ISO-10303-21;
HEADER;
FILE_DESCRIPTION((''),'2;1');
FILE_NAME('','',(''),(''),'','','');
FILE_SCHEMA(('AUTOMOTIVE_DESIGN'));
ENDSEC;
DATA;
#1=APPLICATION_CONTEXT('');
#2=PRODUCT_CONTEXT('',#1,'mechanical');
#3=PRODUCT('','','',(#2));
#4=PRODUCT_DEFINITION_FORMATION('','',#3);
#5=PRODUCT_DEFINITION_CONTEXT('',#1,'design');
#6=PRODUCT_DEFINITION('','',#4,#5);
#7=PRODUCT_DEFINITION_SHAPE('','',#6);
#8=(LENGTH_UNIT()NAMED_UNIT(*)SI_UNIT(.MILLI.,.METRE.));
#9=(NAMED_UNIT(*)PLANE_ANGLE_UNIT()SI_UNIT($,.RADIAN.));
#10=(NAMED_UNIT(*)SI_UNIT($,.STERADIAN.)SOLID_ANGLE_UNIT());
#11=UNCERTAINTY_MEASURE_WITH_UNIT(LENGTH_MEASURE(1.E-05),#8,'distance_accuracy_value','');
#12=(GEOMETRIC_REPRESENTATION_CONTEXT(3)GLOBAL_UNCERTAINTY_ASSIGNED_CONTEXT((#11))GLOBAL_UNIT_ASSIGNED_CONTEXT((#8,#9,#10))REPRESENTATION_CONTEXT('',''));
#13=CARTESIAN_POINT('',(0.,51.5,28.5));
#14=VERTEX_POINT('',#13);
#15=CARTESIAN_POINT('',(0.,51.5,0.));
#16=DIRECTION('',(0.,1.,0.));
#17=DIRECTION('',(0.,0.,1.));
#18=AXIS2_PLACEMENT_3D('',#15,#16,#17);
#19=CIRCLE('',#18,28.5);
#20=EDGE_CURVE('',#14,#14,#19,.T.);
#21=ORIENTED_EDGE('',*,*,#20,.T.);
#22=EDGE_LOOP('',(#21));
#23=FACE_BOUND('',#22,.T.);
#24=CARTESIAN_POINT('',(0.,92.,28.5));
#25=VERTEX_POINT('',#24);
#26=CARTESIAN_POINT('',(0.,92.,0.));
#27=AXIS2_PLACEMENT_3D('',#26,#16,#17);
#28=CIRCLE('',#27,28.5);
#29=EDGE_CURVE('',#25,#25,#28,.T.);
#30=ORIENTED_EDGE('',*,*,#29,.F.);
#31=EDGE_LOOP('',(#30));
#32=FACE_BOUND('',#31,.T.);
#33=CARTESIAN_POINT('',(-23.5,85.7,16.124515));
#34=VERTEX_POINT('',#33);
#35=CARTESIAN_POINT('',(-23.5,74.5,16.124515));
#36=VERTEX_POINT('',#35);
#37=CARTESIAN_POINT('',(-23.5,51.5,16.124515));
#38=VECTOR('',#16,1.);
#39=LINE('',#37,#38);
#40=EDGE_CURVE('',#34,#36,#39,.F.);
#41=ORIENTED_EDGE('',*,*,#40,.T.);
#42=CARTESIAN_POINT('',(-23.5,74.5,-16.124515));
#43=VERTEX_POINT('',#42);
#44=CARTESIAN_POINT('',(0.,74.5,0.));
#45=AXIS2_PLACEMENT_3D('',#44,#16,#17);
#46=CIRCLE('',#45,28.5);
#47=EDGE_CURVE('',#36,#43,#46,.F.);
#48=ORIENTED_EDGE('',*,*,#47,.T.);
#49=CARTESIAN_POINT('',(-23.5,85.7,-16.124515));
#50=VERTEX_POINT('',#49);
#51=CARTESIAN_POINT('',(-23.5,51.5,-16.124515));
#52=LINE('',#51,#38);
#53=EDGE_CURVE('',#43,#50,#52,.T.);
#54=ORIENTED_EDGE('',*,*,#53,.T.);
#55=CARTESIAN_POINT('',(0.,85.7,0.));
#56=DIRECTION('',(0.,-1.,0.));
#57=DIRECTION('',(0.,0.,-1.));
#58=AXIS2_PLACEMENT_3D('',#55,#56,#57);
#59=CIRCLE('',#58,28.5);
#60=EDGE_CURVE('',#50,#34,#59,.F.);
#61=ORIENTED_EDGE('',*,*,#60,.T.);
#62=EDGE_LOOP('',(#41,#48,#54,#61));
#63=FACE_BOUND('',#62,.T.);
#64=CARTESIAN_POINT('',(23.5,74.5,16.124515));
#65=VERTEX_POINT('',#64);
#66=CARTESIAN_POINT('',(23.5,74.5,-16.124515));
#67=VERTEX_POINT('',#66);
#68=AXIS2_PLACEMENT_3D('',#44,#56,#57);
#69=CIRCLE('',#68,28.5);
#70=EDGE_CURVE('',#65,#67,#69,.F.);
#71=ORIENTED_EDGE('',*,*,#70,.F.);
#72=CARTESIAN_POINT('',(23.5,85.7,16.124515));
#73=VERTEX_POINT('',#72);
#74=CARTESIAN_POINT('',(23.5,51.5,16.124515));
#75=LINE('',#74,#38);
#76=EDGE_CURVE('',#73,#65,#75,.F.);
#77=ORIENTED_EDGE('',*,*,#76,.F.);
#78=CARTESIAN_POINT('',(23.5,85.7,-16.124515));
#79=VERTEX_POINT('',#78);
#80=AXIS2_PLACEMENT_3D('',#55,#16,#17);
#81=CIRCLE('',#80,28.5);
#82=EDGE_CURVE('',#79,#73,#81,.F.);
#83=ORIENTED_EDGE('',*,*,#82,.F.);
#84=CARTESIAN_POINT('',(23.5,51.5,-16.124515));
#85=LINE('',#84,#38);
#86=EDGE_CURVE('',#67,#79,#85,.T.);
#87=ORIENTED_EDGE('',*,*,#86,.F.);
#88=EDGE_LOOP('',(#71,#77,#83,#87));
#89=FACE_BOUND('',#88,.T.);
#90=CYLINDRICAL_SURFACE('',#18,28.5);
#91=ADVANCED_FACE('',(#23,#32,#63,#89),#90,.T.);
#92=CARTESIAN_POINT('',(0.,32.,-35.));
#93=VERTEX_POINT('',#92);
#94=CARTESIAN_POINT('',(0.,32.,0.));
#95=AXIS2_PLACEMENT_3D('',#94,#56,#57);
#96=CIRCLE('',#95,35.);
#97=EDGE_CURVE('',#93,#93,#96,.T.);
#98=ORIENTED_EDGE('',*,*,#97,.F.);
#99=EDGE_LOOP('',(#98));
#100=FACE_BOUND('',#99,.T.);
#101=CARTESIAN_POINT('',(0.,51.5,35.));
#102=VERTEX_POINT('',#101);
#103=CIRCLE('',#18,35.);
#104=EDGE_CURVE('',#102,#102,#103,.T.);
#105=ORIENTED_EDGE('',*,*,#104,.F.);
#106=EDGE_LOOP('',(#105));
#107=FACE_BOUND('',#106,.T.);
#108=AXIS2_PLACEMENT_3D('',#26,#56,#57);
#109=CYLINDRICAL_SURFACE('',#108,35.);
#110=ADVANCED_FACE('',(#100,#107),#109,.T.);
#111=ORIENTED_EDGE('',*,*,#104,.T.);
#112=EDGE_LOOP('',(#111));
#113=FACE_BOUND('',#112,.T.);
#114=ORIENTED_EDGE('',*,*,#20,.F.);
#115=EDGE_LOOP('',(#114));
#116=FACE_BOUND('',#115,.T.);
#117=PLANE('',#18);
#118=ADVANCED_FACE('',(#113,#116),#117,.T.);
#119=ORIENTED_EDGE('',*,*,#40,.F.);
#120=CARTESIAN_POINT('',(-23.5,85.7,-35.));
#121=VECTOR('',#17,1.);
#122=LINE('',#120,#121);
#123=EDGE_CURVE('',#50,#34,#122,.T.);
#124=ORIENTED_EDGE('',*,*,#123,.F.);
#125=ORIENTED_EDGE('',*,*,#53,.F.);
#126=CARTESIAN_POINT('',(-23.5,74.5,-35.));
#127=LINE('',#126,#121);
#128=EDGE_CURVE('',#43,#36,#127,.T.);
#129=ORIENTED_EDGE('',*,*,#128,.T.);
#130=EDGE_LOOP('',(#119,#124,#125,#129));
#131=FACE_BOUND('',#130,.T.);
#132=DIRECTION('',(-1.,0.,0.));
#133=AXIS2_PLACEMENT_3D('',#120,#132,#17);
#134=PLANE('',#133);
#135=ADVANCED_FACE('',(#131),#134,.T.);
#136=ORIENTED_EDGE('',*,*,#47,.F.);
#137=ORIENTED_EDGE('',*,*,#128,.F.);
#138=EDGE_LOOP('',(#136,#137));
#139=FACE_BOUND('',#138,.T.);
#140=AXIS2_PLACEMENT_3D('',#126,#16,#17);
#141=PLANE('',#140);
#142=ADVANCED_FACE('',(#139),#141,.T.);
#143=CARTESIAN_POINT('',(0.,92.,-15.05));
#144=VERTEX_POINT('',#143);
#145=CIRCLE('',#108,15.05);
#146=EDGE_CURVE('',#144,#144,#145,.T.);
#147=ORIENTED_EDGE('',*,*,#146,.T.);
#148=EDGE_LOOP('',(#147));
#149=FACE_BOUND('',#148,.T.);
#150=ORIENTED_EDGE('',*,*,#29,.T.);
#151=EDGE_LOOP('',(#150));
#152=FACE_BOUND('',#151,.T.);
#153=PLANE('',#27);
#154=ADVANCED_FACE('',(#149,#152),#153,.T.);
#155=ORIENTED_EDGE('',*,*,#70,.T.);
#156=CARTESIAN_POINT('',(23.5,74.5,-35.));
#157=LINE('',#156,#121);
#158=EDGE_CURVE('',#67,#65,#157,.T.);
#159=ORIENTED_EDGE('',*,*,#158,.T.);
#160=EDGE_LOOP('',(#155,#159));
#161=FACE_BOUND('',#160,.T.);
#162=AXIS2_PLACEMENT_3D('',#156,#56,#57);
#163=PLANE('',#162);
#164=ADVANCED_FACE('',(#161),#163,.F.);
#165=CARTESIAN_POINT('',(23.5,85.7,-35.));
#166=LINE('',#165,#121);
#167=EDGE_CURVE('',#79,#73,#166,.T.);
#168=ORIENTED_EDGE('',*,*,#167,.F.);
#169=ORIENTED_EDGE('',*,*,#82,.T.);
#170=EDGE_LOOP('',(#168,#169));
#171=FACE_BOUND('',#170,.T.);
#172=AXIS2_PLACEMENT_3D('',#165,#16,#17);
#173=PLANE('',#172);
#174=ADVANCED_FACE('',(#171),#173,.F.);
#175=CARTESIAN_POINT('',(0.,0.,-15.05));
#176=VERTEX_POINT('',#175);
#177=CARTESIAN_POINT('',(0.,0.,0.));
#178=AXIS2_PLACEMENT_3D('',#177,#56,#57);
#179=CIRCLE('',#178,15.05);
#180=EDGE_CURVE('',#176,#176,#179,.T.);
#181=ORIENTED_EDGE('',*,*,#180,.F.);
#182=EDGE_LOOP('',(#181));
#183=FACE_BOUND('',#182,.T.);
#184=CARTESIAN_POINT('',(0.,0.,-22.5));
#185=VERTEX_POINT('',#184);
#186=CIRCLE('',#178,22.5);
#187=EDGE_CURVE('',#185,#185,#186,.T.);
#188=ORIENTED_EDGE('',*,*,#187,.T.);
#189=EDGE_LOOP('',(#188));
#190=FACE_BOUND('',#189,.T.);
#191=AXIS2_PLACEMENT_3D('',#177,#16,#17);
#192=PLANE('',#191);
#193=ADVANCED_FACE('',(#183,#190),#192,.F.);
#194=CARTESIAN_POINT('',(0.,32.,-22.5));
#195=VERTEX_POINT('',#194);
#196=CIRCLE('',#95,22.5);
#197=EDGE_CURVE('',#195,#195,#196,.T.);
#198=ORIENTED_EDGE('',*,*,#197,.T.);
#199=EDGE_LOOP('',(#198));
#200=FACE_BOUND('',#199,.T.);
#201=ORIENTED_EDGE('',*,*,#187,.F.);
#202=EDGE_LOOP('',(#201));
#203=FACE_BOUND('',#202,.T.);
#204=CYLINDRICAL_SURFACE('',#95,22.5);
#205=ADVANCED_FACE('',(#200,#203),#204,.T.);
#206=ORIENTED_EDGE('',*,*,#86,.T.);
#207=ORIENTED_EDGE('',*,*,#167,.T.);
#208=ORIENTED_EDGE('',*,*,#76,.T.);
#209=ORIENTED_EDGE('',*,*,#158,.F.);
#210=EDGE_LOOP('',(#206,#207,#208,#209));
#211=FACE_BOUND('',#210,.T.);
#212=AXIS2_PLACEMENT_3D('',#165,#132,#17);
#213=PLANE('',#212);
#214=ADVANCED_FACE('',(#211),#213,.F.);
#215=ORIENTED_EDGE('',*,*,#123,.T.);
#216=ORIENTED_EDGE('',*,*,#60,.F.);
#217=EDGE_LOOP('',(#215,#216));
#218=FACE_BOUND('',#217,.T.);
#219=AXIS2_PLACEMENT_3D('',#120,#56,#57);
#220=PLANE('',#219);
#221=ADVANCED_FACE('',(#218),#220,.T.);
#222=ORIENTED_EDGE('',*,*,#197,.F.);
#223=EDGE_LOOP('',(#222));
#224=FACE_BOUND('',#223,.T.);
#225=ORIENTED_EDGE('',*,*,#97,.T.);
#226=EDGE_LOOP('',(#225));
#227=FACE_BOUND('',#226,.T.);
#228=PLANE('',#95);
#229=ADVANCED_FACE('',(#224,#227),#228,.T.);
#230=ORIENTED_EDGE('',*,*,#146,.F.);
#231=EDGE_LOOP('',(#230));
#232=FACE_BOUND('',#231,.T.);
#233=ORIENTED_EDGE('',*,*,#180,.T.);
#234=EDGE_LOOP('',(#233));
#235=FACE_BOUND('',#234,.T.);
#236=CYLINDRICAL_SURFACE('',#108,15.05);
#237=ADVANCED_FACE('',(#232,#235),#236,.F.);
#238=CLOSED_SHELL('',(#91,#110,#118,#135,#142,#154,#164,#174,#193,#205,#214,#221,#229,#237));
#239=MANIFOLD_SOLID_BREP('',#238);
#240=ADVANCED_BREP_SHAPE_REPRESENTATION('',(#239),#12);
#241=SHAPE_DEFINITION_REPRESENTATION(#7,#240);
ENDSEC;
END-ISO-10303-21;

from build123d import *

# Parameters (mm, degrees)
SKETCH1_R            = 35
BOSS_EXTRUDE1_DEPTH  = 92
SKETCH2_OUTSIDE_W    = 99.028
SKETCH2_OUTSIDE_H    = 99.028
SKETCH2_OUTSIDE_R    = 28.5
CUT_EXTRUDE1_DEPTH   = 40.5
SKETCH3_OUTSIDE_W    = 99.028
SKETCH3_OUTSIDE_H    = 99.028
SKETCH3_OUTSIDE_R    = 22.5
CUT_EXTRUDE2_DEPTH   = 32
SKETCH4_R            = 15.05
CUT_EXTRUDE3_DEPTH   = 93
SKETCH5_W            = 5
SKETCH5_H            = 11.2
TESTINGFEATURE_DEPTH = 36


with BuildPart() as part:
    # Sketch1 → Boss-Extrude1 (new body)
    with BuildSketch(Plane(origin=(0, 0, 0), x_dir=(1, 0, 0), z_dir=(0, 1, 0))):
        Circle(SKETCH1_R)
    extrude(amount=BOSS_EXTRUDE1_DEPTH)

    # Sketch2 outside → Cut-Extrude1 (cut)
    with BuildSketch(Plane(origin=(0, 92, 0), x_dir=(1, 0, 0), z_dir=(0, 1, 0))):
        Rectangle(SKETCH2_OUTSIDE_W, SKETCH2_OUTSIDE_H)
        Circle(SKETCH2_OUTSIDE_R, mode=Mode.SUBTRACT)
    extrude(amount=-CUT_EXTRUDE1_DEPTH, mode=Mode.SUBTRACT)

    # Sketch3 outside → Cut-Extrude2 (cut)
    with BuildSketch(Plane.XZ):
        Rectangle(SKETCH3_OUTSIDE_W, SKETCH3_OUTSIDE_H)
        Circle(SKETCH3_OUTSIDE_R, mode=Mode.SUBTRACT)
    extrude(amount=-CUT_EXTRUDE2_DEPTH, mode=Mode.SUBTRACT)

    # Sketch4 → Cut-Extrude3 (cut, through all)
    with BuildSketch(Plane.XZ):
        Circle(SKETCH4_R)
    extrude(amount=-CUT_EXTRUDE3_DEPTH, mode=Mode.SUBTRACT)

    # Sketch5 → TestingFeature (cut, symmetric)
    with BuildSketch(Plane.XY):
        with Locations((26, 80.1)):
            Rectangle(SKETCH5_W, SKETCH5_H)
    testingfeature = extrude(amount=TESTINGFEATURE_DEPTH, both=True, mode=Mode.SUBTRACT)

    # Mirror1: TestingFeature across plane
    add(testingfeature.mirror(Plane(origin=(0, 0, 0), x_dir=(0, 0, 1), z_dir=(1, 0, 0))), mode=Mode.SUBTRACT)


solid = part.part
